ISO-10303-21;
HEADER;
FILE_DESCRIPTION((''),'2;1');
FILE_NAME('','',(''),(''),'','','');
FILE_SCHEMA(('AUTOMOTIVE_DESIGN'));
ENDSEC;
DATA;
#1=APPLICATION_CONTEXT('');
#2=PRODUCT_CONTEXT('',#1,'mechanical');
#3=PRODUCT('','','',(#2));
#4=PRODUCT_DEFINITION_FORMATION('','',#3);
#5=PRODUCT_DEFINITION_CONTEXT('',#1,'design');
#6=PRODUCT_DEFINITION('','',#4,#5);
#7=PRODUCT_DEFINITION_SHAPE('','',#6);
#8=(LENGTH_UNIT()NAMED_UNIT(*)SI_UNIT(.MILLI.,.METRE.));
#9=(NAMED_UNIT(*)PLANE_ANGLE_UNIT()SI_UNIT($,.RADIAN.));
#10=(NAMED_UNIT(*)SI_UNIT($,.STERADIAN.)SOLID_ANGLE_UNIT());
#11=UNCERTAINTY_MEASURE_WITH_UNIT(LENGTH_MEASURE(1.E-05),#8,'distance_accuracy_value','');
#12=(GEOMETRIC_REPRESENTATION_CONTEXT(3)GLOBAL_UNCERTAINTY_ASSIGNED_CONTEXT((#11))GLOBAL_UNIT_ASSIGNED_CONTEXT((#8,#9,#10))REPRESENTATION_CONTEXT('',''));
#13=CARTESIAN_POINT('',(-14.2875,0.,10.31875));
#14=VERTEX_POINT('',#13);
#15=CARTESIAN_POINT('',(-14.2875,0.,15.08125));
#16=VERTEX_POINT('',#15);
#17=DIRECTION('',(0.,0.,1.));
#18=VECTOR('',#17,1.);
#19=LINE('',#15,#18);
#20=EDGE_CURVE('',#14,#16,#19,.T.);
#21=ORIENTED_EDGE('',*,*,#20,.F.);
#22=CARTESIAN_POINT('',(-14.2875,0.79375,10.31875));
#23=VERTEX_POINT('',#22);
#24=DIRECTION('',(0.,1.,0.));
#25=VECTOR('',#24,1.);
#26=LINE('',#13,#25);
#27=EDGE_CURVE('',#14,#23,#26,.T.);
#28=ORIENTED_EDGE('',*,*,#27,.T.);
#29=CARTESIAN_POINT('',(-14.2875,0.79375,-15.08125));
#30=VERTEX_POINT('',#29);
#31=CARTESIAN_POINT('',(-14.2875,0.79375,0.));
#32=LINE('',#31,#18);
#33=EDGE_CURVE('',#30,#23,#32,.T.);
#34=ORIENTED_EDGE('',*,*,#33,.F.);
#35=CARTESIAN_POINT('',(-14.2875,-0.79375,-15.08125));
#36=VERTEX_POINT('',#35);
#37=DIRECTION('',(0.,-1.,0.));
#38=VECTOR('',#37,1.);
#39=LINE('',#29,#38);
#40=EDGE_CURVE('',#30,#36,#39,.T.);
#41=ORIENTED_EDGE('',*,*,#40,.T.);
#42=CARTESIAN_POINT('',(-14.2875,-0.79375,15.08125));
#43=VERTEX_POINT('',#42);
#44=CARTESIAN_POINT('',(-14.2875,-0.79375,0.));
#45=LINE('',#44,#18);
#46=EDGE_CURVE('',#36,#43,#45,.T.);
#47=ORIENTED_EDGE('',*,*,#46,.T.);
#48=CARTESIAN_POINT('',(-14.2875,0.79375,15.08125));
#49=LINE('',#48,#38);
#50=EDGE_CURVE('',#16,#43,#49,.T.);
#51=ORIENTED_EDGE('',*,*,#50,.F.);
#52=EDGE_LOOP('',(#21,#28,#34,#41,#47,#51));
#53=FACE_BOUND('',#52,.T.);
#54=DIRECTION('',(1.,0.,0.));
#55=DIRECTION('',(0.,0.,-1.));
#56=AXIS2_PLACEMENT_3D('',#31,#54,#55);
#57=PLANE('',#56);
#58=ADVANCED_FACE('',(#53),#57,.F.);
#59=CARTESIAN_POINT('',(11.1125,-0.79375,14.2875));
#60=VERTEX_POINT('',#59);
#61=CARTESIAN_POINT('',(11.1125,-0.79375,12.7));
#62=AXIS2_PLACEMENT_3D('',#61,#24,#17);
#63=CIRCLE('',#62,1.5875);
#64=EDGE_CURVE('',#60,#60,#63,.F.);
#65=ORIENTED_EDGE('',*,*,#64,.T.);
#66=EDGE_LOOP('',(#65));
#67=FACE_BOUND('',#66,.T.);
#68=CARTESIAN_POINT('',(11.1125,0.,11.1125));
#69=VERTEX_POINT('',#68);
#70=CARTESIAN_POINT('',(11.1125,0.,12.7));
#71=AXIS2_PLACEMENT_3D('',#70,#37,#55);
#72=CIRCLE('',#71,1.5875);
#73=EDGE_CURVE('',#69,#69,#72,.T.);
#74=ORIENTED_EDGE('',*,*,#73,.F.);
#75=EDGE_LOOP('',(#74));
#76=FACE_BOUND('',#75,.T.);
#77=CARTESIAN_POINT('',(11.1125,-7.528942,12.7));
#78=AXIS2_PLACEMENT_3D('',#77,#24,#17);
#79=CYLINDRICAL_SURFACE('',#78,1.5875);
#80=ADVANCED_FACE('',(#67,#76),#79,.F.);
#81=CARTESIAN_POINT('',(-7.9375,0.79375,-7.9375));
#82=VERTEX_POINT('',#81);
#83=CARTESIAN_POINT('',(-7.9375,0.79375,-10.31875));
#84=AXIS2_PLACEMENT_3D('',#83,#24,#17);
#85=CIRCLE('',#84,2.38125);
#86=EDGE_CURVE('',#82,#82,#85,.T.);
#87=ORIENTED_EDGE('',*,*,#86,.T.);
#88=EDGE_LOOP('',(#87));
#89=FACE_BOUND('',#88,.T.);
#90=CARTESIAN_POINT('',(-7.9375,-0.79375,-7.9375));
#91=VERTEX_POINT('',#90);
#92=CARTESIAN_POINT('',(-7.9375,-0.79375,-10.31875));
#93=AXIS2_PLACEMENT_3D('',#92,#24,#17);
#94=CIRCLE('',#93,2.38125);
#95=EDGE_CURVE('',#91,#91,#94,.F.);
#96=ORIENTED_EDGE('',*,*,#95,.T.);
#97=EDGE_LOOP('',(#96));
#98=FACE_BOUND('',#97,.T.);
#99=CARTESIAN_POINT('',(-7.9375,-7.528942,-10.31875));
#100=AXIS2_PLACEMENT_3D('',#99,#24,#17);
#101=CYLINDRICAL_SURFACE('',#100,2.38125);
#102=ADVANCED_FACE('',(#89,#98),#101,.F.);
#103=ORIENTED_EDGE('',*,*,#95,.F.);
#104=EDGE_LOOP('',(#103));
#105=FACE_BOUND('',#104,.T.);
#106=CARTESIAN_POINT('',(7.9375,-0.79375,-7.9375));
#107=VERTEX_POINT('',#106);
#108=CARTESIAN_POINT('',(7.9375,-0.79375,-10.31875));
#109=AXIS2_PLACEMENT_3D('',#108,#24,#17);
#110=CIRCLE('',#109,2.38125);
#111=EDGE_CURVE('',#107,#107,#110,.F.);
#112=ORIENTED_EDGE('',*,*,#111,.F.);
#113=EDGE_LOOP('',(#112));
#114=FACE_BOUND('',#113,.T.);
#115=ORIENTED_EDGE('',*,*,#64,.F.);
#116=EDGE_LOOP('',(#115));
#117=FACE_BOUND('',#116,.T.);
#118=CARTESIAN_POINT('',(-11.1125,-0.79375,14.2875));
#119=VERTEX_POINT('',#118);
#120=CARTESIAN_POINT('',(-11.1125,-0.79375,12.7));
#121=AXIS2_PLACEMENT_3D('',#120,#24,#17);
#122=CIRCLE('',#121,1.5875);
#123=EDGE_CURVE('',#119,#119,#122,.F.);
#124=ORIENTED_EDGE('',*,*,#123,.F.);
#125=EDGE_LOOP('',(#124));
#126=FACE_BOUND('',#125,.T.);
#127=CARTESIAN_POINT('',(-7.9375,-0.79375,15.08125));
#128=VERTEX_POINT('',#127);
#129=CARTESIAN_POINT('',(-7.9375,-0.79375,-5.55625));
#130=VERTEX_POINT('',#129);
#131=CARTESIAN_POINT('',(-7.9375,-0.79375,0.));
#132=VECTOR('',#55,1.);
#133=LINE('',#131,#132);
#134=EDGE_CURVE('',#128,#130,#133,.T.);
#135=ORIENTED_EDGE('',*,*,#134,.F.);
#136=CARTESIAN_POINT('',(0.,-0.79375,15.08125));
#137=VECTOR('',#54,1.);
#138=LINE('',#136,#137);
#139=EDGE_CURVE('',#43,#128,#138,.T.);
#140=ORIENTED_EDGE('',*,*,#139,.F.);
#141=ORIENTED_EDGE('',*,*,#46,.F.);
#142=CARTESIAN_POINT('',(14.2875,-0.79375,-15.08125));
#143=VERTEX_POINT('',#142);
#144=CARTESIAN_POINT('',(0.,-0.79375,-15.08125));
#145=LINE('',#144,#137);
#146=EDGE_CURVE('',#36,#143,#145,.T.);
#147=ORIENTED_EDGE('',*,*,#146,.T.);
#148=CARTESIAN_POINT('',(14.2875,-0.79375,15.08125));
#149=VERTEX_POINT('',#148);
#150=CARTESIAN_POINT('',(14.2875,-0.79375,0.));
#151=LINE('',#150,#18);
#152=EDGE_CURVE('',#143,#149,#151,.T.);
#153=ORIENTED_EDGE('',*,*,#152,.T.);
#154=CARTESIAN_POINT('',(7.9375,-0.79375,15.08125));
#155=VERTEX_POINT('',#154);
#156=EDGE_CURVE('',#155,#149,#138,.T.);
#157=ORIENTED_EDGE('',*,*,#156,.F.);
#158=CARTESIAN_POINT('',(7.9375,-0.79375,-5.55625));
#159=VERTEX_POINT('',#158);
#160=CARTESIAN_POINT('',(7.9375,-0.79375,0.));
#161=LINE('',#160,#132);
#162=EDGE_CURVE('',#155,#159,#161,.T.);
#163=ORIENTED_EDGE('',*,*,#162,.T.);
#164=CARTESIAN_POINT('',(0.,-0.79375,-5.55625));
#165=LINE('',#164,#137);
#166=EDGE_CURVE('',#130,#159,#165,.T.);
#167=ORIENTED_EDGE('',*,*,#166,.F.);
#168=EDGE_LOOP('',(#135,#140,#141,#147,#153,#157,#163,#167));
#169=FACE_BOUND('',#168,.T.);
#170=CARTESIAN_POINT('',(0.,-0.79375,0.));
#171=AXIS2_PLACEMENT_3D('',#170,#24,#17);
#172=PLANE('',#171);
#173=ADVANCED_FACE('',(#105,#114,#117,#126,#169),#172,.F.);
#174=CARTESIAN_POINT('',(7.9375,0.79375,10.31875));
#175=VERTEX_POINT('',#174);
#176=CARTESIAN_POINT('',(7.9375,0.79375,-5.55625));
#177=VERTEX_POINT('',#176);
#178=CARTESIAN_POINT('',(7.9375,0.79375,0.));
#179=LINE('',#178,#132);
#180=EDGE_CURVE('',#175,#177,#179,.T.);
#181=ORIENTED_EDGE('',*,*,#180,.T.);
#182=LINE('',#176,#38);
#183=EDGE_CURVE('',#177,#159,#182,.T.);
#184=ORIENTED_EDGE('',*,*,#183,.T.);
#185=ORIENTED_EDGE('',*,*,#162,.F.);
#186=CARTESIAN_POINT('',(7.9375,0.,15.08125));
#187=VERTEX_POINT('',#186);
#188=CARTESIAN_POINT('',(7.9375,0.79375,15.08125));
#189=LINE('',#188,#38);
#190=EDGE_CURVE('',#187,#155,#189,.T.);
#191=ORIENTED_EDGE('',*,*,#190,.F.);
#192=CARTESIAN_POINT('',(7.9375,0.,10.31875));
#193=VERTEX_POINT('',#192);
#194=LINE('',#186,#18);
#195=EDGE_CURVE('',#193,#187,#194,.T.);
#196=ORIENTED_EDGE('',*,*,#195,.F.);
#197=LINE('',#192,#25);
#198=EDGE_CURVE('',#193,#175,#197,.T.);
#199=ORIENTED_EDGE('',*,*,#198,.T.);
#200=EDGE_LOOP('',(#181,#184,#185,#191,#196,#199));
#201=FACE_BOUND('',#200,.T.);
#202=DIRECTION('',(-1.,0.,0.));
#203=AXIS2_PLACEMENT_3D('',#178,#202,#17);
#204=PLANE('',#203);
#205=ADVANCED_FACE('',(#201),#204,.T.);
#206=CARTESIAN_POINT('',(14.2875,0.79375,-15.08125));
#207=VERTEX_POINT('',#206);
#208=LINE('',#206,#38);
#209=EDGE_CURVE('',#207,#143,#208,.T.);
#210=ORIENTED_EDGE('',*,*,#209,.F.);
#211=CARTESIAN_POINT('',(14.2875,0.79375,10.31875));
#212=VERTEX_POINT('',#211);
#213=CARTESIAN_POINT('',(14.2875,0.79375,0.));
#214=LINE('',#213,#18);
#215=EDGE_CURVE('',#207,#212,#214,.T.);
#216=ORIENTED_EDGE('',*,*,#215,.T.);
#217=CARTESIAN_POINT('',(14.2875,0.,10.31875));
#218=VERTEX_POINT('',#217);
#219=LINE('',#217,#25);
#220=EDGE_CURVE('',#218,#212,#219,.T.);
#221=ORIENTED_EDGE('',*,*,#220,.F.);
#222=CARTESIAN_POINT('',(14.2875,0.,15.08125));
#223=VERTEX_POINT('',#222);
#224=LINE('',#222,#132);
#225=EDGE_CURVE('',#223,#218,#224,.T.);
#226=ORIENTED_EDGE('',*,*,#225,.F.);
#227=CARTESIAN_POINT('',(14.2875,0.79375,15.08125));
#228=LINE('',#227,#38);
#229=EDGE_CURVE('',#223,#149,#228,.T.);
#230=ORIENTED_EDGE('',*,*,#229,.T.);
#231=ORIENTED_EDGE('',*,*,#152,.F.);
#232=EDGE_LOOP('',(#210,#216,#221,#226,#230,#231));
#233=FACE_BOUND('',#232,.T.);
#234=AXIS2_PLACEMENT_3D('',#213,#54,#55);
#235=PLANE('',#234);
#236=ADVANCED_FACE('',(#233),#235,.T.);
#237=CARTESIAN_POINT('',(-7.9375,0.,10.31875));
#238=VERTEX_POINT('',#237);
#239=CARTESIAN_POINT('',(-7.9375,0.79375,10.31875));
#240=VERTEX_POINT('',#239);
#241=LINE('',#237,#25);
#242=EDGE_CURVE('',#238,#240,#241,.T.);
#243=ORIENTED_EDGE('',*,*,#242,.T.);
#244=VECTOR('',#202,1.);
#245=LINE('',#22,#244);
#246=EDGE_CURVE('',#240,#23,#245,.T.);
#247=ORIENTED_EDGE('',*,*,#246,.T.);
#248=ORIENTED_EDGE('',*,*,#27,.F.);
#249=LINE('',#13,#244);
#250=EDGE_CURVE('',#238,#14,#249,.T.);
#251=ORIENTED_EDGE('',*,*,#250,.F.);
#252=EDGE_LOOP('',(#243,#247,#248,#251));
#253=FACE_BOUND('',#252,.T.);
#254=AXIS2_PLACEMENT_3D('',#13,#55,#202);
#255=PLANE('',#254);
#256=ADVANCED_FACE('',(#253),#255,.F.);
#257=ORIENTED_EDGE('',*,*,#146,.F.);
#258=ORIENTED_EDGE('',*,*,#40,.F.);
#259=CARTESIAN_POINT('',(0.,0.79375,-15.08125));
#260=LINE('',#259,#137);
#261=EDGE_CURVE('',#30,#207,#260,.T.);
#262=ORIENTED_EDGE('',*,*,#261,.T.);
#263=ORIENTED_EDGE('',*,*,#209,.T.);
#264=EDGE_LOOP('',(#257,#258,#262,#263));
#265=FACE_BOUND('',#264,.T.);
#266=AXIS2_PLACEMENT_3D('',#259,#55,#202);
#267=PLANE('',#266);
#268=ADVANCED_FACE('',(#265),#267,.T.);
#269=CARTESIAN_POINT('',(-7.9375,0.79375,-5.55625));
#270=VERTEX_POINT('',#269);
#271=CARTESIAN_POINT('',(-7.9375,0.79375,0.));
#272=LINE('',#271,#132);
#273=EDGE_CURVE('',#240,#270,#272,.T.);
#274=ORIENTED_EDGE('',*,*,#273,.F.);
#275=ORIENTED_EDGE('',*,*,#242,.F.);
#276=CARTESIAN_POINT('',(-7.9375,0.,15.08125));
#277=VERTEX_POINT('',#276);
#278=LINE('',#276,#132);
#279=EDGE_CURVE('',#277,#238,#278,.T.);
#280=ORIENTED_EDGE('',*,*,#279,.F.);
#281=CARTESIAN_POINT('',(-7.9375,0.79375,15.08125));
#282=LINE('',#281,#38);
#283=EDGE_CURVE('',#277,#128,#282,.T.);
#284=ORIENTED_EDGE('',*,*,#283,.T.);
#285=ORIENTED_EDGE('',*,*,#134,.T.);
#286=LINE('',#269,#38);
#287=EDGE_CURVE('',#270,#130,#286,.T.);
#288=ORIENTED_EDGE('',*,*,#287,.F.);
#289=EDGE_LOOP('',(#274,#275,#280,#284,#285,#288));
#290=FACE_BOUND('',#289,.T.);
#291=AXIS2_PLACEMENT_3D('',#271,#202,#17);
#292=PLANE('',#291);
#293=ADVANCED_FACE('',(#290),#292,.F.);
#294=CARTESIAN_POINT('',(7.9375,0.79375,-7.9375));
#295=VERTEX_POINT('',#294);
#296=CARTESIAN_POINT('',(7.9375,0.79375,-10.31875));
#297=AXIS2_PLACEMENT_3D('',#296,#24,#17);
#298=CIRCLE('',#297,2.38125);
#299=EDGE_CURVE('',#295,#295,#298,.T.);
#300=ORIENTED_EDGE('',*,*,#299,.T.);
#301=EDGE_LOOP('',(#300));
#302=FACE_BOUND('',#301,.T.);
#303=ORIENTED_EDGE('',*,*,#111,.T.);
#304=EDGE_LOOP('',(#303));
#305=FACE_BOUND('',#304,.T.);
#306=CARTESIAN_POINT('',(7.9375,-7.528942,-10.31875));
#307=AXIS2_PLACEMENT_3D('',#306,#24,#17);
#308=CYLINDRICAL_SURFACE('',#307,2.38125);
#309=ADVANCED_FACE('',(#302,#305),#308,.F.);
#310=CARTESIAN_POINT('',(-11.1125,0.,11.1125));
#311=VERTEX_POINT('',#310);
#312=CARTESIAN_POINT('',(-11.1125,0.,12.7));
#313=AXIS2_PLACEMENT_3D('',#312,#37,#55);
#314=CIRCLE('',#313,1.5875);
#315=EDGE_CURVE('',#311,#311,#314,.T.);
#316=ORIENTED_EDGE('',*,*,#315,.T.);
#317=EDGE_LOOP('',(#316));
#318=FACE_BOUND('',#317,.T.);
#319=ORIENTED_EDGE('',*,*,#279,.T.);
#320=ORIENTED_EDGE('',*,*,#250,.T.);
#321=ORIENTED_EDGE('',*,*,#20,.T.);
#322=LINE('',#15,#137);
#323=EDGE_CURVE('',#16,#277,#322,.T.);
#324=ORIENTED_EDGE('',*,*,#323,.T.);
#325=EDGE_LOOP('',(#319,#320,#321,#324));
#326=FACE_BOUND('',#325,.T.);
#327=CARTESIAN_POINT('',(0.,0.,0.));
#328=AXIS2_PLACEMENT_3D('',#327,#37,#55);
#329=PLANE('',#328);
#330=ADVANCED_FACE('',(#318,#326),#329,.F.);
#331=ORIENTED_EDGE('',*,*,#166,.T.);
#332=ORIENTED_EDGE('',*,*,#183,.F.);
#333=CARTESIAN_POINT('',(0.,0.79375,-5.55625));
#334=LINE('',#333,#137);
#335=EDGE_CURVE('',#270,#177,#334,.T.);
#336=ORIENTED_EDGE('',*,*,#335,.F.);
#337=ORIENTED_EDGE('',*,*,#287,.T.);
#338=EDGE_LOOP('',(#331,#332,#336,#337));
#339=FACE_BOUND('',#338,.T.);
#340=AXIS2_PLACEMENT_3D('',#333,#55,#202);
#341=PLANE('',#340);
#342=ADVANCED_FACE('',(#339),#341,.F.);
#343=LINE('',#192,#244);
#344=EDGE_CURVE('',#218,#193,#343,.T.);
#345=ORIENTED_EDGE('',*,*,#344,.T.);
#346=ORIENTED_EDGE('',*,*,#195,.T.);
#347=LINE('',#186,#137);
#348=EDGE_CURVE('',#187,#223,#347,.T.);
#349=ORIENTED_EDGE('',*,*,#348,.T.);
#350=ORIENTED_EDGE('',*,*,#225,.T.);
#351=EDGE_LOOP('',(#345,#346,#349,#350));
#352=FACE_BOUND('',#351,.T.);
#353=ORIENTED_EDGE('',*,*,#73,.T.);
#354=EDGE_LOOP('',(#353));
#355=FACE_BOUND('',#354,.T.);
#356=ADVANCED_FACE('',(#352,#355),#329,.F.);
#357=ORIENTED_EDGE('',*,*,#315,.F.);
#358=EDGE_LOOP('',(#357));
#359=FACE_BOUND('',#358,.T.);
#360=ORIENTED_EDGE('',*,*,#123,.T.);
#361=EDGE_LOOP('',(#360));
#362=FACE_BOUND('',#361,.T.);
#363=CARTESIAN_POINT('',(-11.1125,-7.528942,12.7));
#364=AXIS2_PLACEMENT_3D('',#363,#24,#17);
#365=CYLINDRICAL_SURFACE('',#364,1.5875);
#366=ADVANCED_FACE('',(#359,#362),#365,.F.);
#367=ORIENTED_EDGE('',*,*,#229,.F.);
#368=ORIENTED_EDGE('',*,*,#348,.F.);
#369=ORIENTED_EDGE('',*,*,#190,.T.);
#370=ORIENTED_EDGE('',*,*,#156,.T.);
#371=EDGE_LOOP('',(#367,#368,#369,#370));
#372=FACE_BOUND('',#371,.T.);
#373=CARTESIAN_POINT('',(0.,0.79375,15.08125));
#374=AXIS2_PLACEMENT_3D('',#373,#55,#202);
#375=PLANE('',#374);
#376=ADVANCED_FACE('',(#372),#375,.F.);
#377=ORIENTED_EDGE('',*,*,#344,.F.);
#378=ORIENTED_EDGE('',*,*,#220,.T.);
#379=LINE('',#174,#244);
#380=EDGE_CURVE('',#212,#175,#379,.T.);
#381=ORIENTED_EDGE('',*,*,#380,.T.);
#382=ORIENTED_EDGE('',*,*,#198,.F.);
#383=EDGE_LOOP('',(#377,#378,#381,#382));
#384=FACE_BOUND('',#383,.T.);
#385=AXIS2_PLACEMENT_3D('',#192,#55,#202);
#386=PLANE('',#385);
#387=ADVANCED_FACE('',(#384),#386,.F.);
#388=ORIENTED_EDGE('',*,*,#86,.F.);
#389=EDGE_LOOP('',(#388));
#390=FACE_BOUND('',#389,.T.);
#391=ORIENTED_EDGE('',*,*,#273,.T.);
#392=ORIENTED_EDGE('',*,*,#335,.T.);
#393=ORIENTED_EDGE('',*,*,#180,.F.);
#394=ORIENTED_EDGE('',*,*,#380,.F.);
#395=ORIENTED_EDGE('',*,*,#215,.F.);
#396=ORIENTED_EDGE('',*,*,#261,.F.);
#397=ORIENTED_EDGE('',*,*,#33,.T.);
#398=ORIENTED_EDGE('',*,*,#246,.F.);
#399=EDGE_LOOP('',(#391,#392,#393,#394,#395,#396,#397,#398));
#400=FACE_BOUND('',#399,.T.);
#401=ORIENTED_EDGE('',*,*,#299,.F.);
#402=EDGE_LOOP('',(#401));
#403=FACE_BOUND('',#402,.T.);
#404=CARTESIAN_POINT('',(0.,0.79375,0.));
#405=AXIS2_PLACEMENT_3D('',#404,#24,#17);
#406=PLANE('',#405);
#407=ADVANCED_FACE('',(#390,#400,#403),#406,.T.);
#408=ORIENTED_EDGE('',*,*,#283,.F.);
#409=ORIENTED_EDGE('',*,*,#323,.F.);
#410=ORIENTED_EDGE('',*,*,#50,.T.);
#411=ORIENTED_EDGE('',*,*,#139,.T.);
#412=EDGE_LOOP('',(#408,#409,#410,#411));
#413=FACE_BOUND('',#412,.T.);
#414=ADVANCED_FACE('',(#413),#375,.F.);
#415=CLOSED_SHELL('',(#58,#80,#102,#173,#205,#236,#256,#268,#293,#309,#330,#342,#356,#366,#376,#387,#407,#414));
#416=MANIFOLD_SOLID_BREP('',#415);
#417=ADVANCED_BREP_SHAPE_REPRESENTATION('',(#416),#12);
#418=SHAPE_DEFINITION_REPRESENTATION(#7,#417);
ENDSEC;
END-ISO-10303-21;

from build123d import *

# Parameters (mm, degrees)
BOSS_EXTRUDE1_DEPTH = 0.79375
SKETCH2_W           = 6.35
SKETCH2_H           = 4.7625
CUT_EXTRUDE1_DEPTH  = 0.79375
SKETCH3_R           = 1.5875
SKETCH3_R_2         = 2.38125
CUT_EXTRUDE2_DEPTH  = 1.5875


with BuildPart() as part:
    # Sketch1 → Boss-Extrude1 (new, symmetric)
    with BuildSketch(Plane(origin=(0, 0, 0), x_dir=(1, 0, 0), z_dir=(0, 1, 0))):
        Polygon((14.2875, 15.08125), (-14.2875, 15.08125), (-14.2875, -15.08125), (-7.9375, -15.08125), (-7.9375, 5.55625), (7.9375, 5.55625), (7.9375, -15.08125), (14.2875, -15.08125), align=None)
    extrude(amount=BOSS_EXTRUDE1_DEPTH, both=True)

    # Sketch2 → Cut-Extrude1 (cut)
    with BuildSketch(Plane(origin=(0, 0.79375, 0), x_dir=(1, 0, 0), z_dir=(0, 1, 0))):
        with Locations((-11.1125, -12.7)):
            Rectangle(SKETCH2_W, SKETCH2_H)
        with Locations((11.1125, -12.7)):
            Rectangle(SKETCH2_W, SKETCH2_H)
    extrude(amount=-CUT_EXTRUDE1_DEPTH, mode=Mode.SUBTRACT)

    # Sketch3 → Cut-Extrude2 (cut)
    with BuildSketch(Plane(origin=(0, 0.79375, 0), x_dir=(1, 0, 0), z_dir=(0, 1, 0))):
        with Locations(Location((-11.1125, -12.7, 0), (0, 0, 270))):
            Circle(SKETCH3_R)
        with Locations(Location((-7.9375, 10.31875, 0), (0, 0, 270))):
            Circle(SKETCH3_R_2)
        with Locations(Location((11.1125, -12.7, 0), (0, 0, 270))):
            Circle(SKETCH3_R)
        with Locations(Location((7.9375, 10.31875, 0), (0, 0, 270))):
            Circle(SKETCH3_R_2)
    extrude(amount=-CUT_EXTRUDE2_DEPTH, mode=Mode.SUBTRACT)


solid = part.part
